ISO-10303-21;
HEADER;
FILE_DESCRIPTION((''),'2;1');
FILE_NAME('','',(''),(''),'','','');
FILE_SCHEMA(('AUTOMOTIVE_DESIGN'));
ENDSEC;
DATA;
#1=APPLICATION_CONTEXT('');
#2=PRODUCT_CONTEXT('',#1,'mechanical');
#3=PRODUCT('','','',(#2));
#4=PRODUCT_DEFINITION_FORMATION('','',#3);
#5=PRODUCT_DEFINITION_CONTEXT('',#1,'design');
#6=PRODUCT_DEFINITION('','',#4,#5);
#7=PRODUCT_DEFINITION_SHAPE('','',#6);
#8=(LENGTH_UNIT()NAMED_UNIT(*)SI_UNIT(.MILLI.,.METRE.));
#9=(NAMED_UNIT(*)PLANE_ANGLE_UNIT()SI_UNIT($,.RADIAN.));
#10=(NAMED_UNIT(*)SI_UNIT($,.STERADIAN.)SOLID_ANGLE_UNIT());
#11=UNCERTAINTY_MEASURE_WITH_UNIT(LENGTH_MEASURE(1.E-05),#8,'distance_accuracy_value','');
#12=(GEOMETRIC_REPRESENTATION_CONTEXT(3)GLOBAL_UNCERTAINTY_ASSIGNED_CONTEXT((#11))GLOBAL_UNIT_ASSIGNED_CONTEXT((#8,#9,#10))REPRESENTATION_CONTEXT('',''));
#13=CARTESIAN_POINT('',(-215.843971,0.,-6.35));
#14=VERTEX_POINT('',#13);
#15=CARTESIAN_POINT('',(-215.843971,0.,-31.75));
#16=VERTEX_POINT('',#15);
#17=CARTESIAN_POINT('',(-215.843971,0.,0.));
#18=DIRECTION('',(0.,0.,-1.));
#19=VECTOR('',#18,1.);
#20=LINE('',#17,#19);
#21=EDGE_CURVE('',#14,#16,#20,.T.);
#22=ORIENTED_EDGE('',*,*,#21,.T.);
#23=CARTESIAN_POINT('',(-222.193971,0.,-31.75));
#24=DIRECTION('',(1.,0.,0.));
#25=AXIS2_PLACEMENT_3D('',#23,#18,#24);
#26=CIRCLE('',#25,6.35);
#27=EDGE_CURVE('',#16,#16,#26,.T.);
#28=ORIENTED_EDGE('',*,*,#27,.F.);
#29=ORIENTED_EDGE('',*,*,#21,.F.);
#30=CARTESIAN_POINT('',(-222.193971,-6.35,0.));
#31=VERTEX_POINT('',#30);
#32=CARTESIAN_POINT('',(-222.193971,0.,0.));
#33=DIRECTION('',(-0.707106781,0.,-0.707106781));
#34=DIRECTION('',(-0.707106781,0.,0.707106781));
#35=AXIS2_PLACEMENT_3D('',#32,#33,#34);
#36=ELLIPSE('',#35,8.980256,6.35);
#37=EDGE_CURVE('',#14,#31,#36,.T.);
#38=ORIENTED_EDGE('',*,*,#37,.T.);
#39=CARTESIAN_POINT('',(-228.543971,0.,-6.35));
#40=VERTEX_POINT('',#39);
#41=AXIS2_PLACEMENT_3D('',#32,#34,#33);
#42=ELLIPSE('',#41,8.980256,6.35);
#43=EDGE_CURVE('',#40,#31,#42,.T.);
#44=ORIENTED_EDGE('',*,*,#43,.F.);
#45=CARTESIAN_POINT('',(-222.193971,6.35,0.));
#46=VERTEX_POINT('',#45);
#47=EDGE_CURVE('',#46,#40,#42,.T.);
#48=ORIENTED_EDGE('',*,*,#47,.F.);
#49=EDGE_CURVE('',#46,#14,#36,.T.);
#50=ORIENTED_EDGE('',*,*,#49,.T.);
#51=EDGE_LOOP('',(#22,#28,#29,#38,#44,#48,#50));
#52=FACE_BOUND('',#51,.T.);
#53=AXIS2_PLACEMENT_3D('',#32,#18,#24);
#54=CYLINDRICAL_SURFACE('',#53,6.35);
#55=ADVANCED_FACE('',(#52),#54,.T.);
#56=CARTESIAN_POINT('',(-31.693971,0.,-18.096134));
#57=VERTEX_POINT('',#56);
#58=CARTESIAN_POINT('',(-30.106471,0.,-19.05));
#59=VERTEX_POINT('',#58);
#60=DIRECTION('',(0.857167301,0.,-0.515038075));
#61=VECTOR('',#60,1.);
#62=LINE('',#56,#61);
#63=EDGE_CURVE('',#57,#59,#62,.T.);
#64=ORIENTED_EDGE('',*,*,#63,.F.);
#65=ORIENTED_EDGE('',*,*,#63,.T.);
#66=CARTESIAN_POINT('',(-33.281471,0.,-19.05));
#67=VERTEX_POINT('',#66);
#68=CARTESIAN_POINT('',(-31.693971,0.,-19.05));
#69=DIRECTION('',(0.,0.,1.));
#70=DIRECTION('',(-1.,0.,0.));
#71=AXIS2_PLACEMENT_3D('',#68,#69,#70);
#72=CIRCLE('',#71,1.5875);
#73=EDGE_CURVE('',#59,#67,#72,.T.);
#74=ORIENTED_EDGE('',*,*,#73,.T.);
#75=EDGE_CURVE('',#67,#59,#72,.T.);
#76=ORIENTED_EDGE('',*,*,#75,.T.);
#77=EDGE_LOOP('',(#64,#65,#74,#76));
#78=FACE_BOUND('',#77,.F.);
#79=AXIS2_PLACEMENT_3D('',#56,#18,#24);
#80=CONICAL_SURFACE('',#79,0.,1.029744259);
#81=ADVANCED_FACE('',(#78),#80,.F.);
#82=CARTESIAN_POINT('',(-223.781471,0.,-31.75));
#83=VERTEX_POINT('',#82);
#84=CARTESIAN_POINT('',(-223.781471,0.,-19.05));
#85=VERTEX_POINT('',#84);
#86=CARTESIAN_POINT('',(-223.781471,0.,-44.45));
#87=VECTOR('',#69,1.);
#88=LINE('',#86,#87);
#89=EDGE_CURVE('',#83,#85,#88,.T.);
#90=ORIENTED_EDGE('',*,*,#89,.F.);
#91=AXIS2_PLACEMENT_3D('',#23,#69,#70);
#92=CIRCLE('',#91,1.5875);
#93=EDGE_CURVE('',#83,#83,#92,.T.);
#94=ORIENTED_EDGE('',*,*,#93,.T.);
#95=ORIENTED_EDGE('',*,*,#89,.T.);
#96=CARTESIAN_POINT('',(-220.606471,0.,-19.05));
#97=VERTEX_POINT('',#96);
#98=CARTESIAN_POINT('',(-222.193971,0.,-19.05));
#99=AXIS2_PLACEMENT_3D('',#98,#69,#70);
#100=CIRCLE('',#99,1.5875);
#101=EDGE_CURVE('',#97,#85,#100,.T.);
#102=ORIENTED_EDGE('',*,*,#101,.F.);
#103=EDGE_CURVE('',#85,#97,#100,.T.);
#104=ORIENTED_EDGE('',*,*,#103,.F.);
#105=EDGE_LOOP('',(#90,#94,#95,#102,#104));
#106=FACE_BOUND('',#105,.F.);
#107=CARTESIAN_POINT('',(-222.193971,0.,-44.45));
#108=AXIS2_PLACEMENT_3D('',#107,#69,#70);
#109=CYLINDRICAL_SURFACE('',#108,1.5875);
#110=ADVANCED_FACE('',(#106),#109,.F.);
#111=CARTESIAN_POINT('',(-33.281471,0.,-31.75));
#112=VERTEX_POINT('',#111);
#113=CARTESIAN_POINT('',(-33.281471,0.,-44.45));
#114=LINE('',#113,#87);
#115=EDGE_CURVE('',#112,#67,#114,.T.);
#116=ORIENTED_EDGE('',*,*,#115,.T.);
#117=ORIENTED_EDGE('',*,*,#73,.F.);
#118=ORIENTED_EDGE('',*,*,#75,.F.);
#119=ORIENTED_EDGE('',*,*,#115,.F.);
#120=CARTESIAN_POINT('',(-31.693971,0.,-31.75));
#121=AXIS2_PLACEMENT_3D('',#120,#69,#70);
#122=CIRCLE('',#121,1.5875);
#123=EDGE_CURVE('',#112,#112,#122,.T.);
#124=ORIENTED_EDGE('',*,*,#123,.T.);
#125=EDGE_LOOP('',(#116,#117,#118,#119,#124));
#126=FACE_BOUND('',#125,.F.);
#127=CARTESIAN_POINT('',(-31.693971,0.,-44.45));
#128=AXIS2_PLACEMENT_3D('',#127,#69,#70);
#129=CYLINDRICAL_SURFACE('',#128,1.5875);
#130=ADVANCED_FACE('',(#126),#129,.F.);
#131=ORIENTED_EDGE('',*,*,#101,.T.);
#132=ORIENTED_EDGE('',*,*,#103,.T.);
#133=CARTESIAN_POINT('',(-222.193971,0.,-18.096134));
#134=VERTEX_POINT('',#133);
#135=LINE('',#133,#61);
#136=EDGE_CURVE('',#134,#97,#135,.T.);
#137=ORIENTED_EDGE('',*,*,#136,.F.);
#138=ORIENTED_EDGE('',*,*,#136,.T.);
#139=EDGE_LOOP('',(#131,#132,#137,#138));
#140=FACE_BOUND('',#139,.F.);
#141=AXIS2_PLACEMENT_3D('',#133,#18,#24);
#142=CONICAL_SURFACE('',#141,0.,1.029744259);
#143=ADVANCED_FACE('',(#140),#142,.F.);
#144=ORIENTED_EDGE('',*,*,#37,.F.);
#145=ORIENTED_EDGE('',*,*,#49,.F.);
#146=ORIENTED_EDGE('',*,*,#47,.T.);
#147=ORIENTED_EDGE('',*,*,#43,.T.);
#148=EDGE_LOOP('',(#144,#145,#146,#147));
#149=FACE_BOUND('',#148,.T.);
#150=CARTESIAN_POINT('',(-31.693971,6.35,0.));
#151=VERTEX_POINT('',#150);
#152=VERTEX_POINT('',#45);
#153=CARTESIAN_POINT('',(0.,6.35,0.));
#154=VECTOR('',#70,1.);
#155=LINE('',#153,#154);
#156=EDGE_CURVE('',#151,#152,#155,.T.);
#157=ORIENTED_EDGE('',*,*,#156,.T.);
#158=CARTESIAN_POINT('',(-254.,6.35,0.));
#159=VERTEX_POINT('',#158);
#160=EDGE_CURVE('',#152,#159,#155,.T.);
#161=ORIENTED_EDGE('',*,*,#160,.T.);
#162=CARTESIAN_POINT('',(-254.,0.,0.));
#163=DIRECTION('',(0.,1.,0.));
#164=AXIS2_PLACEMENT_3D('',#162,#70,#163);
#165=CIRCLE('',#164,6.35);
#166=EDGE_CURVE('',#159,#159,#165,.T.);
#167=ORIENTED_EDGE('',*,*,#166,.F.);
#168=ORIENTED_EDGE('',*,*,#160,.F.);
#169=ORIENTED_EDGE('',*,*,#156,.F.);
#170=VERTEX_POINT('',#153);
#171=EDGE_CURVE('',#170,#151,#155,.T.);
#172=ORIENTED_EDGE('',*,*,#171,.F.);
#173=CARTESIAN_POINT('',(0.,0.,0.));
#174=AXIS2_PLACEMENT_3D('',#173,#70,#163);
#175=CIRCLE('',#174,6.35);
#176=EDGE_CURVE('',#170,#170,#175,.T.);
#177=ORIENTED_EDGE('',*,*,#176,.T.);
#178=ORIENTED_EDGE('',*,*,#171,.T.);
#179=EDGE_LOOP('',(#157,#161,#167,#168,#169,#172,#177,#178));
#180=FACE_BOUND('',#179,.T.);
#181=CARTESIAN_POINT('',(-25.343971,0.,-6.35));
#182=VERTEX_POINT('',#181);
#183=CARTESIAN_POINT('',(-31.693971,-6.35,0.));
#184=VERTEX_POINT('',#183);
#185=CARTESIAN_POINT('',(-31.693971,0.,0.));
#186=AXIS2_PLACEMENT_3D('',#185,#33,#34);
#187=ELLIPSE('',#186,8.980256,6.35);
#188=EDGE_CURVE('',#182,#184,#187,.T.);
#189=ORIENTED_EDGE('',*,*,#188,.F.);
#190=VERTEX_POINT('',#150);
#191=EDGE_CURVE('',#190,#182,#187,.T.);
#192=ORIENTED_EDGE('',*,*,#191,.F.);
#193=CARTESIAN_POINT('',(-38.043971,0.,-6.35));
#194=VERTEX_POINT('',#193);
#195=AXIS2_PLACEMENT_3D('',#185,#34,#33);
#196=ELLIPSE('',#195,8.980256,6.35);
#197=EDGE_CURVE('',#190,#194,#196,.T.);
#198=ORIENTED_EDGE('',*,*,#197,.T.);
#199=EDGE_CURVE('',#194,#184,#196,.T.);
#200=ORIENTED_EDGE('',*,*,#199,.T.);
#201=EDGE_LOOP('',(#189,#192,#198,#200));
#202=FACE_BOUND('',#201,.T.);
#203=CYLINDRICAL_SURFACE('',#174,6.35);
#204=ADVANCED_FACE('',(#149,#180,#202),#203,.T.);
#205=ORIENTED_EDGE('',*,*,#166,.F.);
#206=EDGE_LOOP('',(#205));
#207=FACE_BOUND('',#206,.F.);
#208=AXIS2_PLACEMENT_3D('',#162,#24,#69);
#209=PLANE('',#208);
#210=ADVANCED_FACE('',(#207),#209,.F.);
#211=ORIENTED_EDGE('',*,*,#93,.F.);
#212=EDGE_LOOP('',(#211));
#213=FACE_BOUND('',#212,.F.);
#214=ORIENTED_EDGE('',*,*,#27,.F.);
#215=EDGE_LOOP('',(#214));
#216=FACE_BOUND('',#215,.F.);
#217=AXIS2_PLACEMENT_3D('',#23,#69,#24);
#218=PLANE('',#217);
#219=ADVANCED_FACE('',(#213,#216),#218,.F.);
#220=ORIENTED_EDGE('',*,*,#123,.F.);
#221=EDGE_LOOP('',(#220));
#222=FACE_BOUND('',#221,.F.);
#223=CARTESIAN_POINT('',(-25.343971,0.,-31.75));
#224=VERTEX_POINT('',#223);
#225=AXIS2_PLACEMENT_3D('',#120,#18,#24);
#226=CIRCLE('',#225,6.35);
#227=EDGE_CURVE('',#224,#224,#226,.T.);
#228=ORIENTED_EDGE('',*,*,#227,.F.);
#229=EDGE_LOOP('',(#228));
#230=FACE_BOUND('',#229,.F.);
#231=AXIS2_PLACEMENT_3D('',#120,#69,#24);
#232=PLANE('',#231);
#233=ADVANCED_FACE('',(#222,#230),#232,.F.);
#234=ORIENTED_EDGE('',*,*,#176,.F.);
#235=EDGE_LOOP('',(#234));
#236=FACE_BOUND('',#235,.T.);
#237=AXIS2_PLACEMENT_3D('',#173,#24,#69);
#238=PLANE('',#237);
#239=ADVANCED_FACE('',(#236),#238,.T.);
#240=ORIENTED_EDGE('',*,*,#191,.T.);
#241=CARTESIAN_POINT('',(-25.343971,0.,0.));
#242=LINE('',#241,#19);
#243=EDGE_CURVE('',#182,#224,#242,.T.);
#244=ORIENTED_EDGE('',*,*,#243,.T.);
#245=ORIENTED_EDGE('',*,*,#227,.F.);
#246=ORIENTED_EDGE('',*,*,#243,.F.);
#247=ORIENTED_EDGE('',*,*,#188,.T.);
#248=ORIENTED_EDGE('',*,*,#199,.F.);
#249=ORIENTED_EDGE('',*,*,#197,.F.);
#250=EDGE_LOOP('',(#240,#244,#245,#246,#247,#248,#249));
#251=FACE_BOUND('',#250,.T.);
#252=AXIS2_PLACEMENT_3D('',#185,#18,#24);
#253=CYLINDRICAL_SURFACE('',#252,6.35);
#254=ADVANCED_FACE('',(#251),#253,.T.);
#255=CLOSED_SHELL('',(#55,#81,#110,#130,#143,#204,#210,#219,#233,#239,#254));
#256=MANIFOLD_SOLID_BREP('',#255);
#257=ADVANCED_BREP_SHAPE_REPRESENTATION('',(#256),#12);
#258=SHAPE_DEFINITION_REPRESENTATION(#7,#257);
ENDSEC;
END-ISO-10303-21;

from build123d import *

# Parameters (mm, degrees)
F1_R     = 6.35
F3_R     = 6.35
F6_D     = 3.175
F6_DEPTH = 12.7
F6_TIP   = 0.9538662327


with BuildPart() as f2:
    # F2: sweep along a path in F0
    with BuildLine(Plane.XZ) as f2_path:
        Line((0, 0), (-254, 0))
    # F1 (on Right) → F2 (sweep)
    with BuildSketch(Plane.YZ):
        Circle(F1_R)
    sweep(path=f2_path.line)

    # F4: sweep along a path in F0
    with BuildLine(Plane.XZ) as f4_path:
        Line((-222.25, 0), (-222.25, -31.75))
    # F3 (on Top) → F4 (sweep)
    with BuildSketch(Plane.XY):
        with Locations((-222.1939712763, 0)):
            Circle(F3_R)
        with Locations((-31.6939712763, 0)):
            Circle(F3_R)
    sweep(path=f4_path.line)

    # F6
    with Locations(Plane(origin=(0, 0, -31.75), x_dir=(1, 0, 0), z_dir=(0, 0, -1))):
        with Locations((-222.1939712763, 0), (-31.6939712763, 0)):
            Hole(F6_D / 2, depth=F6_DEPTH)
            with Locations((0, 0, -(F6_DEPTH + F6_TIP / 2))):  # 118° drill point
                Cone(0, F6_D / 2, F6_TIP, mode=Mode.SUBTRACT)


solid = f2.part
